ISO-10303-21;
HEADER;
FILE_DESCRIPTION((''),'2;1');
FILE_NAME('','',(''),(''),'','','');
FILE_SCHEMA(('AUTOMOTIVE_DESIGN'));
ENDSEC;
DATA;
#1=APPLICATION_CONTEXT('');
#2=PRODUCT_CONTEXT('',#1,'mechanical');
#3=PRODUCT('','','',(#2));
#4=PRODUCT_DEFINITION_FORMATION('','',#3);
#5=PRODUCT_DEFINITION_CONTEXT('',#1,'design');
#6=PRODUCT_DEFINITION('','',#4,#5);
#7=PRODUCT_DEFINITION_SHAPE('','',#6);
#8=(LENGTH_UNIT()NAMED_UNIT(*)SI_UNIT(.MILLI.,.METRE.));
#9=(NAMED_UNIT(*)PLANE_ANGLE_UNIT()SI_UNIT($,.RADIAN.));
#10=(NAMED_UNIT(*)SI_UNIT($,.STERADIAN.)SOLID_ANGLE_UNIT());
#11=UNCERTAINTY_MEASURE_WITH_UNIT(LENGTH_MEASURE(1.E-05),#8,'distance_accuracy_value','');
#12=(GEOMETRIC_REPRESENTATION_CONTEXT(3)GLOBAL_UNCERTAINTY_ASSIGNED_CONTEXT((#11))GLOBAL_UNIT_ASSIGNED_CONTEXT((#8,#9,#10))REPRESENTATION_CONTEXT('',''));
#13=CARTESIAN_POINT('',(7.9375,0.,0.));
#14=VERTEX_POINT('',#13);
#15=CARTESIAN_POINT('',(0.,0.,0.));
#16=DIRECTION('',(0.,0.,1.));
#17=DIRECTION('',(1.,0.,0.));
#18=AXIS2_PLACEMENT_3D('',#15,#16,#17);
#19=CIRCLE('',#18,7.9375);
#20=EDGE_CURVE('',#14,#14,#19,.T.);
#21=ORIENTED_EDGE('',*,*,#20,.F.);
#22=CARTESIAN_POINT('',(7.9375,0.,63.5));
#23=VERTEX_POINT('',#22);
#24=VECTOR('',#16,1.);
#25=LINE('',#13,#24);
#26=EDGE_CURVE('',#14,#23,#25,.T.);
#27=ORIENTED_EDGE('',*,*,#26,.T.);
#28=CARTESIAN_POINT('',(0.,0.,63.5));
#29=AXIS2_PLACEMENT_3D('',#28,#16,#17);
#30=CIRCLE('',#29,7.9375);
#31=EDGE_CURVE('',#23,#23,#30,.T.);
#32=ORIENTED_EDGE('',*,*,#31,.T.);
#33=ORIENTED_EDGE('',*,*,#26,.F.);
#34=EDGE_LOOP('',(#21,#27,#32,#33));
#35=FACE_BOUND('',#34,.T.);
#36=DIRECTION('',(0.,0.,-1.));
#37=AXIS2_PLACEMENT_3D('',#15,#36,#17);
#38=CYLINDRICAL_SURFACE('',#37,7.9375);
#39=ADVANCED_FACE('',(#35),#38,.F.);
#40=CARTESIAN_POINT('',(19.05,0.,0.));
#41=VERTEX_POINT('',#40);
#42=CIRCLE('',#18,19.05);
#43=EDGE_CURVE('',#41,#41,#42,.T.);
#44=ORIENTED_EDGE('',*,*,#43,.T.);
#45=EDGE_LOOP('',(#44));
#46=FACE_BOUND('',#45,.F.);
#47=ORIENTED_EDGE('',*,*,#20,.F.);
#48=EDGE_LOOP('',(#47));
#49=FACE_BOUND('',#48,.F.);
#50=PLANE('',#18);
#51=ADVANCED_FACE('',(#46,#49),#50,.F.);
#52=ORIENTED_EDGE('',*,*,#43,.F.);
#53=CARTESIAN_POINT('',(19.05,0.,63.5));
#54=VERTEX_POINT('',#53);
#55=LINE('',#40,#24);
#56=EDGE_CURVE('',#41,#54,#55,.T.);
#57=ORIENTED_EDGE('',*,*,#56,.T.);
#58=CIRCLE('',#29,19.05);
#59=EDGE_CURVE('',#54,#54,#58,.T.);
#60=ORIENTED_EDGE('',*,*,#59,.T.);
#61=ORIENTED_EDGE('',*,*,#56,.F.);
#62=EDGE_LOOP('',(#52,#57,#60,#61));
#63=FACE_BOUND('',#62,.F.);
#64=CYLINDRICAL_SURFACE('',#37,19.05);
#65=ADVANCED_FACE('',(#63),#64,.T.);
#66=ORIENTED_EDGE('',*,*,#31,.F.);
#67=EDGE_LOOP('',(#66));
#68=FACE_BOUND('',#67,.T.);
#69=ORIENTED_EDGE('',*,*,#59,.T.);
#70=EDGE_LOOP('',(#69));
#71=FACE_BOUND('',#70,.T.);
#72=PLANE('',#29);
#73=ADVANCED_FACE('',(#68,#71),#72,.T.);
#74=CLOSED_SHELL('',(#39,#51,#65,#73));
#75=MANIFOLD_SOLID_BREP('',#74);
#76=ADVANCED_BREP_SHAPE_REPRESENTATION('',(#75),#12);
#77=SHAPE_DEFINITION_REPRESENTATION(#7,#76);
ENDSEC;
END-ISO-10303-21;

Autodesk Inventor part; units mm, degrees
ref_plane "YZ Plane" through (0, 0, 0) normal (1, 0, 0) x (0, 1, 0)
ref_plane "XZ Plane" through (0, 0, 0) normal (0, 1, 0) x (-1, 0, 0)
ref_plane "XY Plane" through (0, 0, 0) normal (0, 0, 1) x (1, 0, 0)
sketch "Sketch1" plane through (0, 0, 0) normal (0, 0, 1) x (1, 0, 0)
  circle A0 centre (0, 0) radius 19.05
  circle A1 centre (0, 0) radius 7.9375
  dimension "d0" = 15.875
  dimension "d1" = 38.1
extrude "Extrusion1" add sketch "Sketch1" along normal blind 63.5
properties part number "Roller_VerticalConveyor_Outer" material "High Density Polyethylene"
